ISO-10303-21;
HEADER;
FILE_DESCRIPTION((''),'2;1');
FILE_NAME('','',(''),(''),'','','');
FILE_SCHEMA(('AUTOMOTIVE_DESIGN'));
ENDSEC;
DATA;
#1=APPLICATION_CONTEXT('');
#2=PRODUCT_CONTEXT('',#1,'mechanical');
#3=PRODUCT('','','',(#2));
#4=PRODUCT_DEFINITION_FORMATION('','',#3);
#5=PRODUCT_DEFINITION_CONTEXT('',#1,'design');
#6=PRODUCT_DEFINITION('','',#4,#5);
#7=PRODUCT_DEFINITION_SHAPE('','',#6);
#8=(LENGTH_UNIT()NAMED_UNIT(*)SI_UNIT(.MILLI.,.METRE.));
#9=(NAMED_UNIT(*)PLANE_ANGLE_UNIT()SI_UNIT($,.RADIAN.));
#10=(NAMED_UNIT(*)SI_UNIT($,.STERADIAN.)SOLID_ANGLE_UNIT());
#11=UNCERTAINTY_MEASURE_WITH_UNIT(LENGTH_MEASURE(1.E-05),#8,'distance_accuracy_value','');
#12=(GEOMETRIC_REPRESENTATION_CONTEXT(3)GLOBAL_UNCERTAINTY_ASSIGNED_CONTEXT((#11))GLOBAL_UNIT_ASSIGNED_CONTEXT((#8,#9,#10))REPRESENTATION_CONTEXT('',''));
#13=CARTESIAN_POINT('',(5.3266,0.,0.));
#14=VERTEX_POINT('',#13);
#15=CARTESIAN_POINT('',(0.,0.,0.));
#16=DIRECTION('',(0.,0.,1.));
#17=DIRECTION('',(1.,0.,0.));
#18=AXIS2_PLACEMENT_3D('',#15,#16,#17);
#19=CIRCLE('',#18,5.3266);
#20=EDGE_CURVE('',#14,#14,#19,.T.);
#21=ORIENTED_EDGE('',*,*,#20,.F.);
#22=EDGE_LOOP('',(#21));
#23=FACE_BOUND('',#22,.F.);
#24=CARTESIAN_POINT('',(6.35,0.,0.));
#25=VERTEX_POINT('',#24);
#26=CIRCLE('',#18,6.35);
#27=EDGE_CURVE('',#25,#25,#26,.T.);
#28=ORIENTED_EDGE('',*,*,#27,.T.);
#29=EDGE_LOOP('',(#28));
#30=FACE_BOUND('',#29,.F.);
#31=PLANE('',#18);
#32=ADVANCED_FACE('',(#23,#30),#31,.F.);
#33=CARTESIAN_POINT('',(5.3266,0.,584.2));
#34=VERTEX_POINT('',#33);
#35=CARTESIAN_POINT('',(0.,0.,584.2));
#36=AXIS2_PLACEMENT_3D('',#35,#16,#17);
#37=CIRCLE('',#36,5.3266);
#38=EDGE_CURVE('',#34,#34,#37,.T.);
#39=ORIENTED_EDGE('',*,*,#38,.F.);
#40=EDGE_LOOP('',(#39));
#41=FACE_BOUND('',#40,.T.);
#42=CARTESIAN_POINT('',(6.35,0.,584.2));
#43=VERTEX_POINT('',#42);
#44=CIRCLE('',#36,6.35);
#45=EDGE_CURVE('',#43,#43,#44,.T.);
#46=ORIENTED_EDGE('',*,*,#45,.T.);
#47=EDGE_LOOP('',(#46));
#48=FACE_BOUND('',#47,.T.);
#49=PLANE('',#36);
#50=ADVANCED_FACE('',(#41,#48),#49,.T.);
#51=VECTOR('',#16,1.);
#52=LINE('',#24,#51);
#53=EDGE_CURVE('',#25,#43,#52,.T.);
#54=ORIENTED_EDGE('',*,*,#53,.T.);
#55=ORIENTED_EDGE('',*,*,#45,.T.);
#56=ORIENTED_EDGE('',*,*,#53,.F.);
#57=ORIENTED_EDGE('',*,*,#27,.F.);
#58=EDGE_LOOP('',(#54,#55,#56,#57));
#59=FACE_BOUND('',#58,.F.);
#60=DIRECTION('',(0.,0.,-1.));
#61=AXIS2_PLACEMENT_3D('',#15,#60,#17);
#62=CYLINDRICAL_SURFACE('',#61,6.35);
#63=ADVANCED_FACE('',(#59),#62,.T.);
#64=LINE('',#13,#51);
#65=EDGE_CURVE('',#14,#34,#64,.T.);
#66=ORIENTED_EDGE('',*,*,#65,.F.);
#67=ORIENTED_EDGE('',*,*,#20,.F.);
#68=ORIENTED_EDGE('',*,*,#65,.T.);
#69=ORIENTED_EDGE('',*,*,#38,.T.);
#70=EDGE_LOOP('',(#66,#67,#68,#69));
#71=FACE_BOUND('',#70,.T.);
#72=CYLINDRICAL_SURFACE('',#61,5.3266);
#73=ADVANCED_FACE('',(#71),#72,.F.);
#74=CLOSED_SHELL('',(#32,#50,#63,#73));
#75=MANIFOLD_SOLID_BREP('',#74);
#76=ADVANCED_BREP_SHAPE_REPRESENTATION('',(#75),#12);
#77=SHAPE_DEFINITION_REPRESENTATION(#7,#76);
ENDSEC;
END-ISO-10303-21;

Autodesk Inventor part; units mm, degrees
ref_plane "YZ Plane" through (0, 0, 0) normal (1, 0, 0) x (0, 1, 0)
ref_plane "XZ Plane" through (0, 0, 0) normal (0, 1, 0) x (-1, 0, 0)
ref_plane "XY Plane" through (0, 0, 0) normal (0, 0, 1) x (1, 0, 0)
sketch "Sketch1" plane through (0, 0, 0) normal (0, 0, 1) x (1, 0, 0)
  circle A0 centre (0, 0) radius 6.35
  circle A1 centre (0, 0) radius 5.3266
  dimension "d0" = 12.7
extrude "Extrusion1" add sketch "Sketch1" along normal blind 584.2
properties part number "2r5ssp" material "PVC-Piping"
